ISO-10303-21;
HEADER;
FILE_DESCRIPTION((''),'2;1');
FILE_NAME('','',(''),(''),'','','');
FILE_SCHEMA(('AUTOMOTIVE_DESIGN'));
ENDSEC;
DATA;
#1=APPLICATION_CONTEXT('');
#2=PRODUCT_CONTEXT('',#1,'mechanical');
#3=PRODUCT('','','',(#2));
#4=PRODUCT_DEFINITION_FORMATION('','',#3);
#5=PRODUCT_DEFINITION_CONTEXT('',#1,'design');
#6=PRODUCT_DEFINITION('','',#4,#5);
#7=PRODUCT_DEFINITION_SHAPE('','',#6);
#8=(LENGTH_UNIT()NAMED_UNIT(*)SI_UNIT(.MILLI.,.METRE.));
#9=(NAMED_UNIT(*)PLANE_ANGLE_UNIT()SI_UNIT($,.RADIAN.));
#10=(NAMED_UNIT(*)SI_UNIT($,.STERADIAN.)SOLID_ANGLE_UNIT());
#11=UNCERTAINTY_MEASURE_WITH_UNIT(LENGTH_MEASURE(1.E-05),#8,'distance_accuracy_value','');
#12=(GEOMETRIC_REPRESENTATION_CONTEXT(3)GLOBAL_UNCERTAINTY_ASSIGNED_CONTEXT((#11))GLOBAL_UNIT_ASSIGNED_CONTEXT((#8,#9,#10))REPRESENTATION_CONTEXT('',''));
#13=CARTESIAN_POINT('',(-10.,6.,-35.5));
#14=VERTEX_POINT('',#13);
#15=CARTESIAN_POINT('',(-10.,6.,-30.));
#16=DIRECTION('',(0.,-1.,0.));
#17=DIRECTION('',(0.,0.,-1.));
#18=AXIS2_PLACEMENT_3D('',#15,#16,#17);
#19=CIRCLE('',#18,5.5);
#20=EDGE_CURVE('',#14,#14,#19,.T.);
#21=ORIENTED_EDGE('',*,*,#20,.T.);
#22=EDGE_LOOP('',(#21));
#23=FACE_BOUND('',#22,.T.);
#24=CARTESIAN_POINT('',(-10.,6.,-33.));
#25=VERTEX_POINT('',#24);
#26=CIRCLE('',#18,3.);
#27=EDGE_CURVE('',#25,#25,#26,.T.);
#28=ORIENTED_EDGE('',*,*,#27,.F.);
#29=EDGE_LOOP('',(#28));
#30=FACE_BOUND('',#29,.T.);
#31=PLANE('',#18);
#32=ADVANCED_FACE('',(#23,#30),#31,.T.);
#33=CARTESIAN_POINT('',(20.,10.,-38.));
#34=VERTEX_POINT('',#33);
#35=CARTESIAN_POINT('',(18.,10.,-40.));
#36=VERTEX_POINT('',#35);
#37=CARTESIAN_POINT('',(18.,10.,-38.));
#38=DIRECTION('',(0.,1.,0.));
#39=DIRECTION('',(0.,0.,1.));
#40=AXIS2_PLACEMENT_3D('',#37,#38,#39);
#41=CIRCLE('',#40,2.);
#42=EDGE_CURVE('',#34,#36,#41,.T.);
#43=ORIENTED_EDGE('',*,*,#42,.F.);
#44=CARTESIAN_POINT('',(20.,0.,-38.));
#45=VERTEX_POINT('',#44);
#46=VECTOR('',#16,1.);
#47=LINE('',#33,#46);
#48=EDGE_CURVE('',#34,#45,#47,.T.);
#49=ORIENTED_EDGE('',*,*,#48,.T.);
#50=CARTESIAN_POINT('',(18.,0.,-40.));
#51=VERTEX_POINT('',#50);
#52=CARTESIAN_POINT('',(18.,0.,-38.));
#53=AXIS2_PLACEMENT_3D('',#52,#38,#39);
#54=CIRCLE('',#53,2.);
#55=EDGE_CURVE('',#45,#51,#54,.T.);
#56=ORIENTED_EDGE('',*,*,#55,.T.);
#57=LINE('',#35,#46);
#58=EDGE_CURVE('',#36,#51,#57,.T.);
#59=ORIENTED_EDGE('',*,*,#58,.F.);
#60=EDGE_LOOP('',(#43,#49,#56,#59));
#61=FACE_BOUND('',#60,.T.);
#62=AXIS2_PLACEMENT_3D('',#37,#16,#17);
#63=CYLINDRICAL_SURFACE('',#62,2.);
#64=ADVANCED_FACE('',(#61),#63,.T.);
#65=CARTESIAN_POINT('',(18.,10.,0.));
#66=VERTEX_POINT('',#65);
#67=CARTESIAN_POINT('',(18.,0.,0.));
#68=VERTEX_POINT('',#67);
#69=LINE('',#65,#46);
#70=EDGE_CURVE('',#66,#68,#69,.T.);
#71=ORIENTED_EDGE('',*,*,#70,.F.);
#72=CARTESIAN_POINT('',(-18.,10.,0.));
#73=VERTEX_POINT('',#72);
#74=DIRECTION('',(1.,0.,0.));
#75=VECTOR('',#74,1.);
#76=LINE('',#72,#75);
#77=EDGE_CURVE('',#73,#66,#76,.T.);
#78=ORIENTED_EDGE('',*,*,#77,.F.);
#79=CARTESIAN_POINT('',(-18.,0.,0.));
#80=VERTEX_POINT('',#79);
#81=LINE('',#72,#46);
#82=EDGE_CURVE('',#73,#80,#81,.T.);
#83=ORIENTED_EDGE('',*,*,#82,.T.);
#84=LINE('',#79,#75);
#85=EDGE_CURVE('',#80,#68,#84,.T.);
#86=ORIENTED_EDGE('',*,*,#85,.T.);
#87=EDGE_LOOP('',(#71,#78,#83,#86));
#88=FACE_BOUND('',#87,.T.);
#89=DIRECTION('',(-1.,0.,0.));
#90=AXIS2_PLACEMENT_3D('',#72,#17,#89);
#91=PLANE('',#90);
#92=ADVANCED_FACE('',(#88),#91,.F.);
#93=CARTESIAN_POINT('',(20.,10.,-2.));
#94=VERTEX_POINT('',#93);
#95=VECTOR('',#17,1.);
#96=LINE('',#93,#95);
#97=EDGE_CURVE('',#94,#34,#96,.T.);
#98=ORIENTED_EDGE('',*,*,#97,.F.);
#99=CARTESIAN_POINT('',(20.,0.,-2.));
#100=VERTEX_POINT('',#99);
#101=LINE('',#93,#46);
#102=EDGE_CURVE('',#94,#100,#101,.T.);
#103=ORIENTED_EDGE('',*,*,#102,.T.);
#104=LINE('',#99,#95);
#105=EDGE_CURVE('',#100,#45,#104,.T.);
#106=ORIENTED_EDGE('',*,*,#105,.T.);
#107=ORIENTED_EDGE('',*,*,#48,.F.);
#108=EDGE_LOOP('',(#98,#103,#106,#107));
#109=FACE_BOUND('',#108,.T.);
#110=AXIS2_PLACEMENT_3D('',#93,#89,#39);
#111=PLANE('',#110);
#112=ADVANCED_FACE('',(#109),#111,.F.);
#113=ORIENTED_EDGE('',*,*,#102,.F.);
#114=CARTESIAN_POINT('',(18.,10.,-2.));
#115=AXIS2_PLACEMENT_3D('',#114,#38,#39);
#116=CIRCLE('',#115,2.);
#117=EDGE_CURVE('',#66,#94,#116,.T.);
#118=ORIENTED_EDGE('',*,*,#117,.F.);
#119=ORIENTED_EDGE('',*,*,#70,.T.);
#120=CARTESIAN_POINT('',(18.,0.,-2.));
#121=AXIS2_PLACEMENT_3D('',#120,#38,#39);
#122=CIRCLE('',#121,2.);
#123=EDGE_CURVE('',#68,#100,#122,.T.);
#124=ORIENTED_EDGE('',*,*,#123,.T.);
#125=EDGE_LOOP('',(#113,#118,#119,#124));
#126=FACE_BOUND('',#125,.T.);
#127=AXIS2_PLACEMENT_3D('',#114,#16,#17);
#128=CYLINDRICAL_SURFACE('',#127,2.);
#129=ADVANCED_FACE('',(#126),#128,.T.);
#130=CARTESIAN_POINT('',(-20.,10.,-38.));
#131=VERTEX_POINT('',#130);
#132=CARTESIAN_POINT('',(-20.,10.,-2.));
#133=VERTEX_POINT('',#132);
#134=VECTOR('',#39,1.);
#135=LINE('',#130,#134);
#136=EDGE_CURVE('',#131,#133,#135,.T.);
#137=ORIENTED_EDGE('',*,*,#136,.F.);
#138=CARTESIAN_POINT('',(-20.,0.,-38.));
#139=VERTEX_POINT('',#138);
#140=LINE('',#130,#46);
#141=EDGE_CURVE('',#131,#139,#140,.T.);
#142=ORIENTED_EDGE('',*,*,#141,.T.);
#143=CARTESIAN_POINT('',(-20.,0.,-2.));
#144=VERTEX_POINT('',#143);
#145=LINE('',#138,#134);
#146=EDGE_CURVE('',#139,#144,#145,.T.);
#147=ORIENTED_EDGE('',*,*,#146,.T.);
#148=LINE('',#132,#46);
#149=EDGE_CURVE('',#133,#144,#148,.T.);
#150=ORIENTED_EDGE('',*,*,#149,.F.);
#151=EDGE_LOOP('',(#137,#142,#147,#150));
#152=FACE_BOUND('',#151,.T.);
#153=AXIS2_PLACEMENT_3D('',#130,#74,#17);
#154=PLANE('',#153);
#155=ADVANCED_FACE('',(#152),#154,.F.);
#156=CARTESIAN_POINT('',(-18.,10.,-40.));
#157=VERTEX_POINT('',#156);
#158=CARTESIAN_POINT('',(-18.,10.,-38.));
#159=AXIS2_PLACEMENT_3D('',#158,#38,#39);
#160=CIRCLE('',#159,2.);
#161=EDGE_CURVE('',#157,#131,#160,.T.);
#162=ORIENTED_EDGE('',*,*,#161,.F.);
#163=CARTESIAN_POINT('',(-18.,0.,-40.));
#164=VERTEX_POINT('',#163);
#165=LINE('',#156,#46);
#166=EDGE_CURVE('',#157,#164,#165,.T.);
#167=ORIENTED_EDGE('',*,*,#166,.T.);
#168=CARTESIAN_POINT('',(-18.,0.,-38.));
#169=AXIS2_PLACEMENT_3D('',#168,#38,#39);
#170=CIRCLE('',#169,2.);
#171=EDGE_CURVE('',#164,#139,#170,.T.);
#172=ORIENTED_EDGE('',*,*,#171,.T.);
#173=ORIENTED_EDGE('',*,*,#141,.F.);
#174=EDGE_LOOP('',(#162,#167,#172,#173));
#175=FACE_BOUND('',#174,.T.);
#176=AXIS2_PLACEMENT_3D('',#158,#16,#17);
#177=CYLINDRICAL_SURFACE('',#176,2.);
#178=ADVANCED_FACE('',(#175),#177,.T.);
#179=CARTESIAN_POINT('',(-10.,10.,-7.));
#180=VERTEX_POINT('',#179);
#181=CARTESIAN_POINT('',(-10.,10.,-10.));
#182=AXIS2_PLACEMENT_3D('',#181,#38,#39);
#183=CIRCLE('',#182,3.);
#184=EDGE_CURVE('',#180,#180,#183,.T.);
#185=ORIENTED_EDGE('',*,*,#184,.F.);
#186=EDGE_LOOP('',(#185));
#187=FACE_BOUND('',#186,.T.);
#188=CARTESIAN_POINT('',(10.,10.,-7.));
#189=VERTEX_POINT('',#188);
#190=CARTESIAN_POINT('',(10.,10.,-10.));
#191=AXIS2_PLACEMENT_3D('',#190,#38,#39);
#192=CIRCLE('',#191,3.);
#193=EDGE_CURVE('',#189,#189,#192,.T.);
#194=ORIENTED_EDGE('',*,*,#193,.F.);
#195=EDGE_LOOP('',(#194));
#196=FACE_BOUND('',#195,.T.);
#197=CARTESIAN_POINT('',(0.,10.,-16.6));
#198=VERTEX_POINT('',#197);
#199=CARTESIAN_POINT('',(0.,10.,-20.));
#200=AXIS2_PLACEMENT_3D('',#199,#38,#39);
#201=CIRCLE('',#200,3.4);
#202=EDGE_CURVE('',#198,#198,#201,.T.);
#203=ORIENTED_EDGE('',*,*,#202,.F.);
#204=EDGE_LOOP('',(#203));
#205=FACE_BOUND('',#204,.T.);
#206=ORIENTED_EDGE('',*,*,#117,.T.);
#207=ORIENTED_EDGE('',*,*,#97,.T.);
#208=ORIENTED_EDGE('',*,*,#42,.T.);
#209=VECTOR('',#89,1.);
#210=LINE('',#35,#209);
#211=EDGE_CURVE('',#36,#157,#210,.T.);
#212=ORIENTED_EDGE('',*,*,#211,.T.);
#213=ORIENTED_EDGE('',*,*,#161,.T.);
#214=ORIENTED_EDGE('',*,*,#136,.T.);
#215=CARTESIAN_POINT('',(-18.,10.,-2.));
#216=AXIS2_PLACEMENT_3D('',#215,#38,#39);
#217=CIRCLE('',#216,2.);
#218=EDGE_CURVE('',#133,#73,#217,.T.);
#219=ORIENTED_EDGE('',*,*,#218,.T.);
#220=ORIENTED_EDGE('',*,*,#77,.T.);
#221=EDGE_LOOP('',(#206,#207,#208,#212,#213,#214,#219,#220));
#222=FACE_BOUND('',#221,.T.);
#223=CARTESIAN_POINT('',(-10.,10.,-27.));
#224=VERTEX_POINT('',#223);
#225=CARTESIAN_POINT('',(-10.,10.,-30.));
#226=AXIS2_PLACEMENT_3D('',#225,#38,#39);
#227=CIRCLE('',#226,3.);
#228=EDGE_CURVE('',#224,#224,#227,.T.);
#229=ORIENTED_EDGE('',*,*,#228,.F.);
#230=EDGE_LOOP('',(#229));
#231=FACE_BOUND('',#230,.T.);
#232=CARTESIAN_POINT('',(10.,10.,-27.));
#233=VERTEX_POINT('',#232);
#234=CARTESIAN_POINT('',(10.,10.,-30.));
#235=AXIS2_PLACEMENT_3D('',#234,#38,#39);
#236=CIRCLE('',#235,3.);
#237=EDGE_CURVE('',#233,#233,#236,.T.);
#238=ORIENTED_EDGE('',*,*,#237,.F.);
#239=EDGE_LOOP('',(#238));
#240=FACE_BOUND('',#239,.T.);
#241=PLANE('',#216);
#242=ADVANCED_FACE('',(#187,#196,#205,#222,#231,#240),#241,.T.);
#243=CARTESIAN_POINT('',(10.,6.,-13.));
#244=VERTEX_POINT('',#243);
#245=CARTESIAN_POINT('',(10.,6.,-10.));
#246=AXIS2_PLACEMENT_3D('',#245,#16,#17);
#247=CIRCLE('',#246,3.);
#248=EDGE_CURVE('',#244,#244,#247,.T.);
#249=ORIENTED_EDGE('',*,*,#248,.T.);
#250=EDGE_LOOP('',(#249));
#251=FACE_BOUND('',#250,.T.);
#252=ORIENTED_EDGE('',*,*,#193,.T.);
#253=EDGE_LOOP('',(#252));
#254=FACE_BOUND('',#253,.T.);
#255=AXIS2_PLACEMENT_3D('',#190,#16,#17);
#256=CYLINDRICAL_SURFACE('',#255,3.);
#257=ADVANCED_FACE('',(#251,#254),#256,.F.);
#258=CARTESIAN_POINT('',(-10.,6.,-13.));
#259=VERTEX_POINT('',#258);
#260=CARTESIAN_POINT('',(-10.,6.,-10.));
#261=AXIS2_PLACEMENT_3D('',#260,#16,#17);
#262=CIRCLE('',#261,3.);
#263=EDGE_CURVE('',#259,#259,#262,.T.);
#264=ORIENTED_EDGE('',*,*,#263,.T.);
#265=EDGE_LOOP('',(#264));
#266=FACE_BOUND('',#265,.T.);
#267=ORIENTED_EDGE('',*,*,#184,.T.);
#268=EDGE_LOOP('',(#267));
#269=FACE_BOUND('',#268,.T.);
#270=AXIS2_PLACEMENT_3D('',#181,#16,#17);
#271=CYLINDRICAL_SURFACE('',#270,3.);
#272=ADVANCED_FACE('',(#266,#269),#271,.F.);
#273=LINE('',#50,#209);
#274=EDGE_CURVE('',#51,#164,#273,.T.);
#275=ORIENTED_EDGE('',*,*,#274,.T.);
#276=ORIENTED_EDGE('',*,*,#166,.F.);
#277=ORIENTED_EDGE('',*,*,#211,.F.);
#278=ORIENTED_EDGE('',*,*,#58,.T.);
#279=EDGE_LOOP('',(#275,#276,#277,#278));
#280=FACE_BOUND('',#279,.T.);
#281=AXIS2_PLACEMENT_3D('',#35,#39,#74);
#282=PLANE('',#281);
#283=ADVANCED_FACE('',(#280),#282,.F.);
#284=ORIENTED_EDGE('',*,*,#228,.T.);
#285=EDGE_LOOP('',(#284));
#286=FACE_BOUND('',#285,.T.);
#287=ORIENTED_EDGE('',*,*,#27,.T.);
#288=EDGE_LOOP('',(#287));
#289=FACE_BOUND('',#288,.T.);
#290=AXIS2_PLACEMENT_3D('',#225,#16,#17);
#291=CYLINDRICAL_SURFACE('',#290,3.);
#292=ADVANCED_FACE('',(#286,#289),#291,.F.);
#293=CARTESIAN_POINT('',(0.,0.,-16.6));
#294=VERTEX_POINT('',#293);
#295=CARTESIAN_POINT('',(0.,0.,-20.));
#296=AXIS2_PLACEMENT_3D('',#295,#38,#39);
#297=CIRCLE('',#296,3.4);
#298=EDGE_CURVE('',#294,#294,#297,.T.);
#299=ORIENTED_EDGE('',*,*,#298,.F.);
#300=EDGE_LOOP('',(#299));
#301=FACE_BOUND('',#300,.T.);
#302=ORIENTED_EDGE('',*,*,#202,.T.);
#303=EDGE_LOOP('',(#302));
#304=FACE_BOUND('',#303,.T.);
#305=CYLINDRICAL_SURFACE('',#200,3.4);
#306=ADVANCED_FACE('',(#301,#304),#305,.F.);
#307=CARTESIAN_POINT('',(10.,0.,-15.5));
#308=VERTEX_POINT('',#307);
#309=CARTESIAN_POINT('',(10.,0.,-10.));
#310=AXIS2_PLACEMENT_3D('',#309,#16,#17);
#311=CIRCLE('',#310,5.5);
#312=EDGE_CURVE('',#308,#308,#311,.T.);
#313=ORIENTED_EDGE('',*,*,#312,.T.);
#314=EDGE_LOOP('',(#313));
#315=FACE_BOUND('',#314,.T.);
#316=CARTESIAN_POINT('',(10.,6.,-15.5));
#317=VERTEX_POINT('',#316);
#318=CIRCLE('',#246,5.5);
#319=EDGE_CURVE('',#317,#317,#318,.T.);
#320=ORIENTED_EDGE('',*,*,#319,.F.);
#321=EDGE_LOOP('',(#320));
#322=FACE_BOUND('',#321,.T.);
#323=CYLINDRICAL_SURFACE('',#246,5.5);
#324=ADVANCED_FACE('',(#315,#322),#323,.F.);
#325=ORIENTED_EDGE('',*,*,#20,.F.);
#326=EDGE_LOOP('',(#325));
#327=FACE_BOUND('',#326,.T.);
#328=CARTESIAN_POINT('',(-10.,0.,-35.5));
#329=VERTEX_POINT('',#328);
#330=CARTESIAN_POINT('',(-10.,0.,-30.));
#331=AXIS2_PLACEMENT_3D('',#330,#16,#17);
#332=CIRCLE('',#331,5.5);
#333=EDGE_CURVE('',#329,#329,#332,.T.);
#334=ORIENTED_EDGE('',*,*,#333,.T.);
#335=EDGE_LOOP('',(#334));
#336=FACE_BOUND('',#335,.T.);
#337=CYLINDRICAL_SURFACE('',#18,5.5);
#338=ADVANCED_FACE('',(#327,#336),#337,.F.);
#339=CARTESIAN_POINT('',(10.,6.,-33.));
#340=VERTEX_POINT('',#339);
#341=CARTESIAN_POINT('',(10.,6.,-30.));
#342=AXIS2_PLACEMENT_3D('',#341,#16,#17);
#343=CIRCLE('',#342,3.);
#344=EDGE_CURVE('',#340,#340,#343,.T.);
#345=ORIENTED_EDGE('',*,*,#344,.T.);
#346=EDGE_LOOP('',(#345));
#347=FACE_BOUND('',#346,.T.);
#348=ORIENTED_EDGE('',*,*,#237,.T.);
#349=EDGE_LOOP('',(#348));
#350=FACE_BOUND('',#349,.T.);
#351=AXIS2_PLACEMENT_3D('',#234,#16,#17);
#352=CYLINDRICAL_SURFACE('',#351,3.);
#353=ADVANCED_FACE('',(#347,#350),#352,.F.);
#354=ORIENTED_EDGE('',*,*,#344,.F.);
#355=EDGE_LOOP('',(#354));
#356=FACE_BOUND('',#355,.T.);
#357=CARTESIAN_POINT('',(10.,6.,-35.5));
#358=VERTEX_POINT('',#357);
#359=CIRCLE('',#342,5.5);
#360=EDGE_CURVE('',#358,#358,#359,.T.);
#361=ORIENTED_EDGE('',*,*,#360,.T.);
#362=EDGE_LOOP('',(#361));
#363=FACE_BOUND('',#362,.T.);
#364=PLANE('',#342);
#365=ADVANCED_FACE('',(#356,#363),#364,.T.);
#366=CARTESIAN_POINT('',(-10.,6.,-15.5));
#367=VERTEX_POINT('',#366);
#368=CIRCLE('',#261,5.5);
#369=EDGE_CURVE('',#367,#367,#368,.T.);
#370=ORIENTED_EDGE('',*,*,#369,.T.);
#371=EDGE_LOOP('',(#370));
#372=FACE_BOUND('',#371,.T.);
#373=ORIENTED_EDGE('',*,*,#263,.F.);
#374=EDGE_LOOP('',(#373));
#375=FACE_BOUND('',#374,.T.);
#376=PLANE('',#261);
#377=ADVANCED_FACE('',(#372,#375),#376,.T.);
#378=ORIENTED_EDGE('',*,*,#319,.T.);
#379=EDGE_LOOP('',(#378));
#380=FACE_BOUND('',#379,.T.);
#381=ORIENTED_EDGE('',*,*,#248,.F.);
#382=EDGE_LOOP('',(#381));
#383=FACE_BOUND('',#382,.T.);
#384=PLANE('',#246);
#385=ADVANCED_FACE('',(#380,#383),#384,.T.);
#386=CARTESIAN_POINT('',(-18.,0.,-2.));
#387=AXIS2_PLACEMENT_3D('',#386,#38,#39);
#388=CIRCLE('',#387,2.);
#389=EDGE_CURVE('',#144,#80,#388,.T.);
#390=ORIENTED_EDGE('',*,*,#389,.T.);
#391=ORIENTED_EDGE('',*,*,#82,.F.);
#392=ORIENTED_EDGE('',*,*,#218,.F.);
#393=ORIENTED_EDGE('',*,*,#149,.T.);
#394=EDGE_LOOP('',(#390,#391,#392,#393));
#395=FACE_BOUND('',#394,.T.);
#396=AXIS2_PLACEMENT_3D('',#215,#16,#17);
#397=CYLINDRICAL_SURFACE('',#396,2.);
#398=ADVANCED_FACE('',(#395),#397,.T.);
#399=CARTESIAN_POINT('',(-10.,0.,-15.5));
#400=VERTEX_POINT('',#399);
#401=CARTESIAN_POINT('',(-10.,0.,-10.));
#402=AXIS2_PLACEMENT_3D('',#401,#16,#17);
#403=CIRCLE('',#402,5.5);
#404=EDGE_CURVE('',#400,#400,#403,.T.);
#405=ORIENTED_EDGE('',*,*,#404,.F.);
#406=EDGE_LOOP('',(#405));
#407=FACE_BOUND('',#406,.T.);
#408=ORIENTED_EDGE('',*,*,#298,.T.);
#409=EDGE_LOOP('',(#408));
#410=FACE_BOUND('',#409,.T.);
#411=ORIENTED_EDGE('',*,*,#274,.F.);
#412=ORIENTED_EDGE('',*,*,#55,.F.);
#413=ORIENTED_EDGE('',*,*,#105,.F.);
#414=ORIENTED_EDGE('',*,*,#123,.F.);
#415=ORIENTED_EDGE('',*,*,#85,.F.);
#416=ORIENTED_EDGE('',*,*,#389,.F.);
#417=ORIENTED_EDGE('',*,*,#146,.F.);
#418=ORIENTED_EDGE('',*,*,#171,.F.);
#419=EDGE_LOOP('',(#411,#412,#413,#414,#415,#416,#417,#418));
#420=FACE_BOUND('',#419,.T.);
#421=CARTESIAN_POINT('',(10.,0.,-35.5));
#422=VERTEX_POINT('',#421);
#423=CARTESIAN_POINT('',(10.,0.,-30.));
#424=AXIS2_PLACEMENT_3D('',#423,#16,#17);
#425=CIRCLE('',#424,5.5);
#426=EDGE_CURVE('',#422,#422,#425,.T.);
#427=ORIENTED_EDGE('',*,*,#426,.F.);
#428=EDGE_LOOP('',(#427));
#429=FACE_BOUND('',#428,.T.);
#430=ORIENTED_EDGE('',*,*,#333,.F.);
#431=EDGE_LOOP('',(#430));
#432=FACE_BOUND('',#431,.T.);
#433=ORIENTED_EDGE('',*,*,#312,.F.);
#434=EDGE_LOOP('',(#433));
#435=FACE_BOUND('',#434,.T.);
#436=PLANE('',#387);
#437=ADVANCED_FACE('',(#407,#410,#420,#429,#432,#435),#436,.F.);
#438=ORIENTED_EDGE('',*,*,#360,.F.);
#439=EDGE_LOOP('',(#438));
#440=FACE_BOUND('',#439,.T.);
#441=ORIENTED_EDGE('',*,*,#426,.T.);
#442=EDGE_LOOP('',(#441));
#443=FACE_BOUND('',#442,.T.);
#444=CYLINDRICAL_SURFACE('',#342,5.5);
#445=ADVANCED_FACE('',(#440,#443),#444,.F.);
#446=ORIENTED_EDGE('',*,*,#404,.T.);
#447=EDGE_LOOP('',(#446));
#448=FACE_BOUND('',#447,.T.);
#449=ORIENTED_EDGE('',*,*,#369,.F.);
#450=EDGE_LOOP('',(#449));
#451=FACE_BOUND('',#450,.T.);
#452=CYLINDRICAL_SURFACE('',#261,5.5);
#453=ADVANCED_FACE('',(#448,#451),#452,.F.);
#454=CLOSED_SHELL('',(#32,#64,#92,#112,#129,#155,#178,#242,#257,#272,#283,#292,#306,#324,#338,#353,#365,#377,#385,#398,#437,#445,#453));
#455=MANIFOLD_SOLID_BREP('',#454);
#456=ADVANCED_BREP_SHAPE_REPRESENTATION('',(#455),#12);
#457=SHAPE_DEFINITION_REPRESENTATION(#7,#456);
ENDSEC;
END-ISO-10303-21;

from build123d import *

# Parameters (mm, degrees)
SKETCH_1_R             = 3
EXTRUDE_1_DEPTH        = 10
SKETCH_3_R             = 5.5
CUT_EXTRUDE_1_DEPTH    = 6
HOLE_WIZARD_M8_1_D     = 6.8
HOLE_WIZARD_M8_1_DEPTH = 38.75
HOLE_WIZARD_M8_1_TIP   = 2.042926105


with BuildPart() as part:
    # 草图1 → 凸台-拉伸1 (new body)
    with BuildSketch(Plane(origin=(0, 0, 0), x_dir=(1, 0, 0), z_dir=(0, 1, 0))):
        with BuildLine():
            Line((-18, 0), (18, 0))
            ThreePointArc((18, 0), (19.414213562, 0.585786438), (20, 2))
            Line((20, 2), (20, 38))
            ThreePointArc((20, 38), (19.414213562, 39.414213562), (18, 40))
            Line((18, 40), (-18, 40))
            ThreePointArc((-18, 40), (-19.414213562, 39.414213562), (-20, 38))
            Line((-20, 38), (-20, 2))
            ThreePointArc((-20, 2), (-19.414213562, 0.585786438), (-18, 0))
        make_face()
        with Locations(Location((10, 30, 0), (0, 0, 270))):
            Circle(SKETCH_1_R, mode=Mode.SUBTRACT)
        with Locations(Location((-10, 30, 0), (0, 0, 270))):
            Circle(SKETCH_1_R, mode=Mode.SUBTRACT)
        with Locations(Location((-10, 10, 0), (0, 0, 270))):
            Circle(SKETCH_1_R, mode=Mode.SUBTRACT)
        with Locations(Location((10, 10, 0), (0, 0, 270))):
            Circle(SKETCH_1_R, mode=Mode.SUBTRACT)
    extrude(amount=EXTRUDE_1_DEPTH)

    # 草图3 → 切除-拉伸1 (cut)
    with BuildSketch(Plane.XZ):
        with Locations(Location((-10, -10, 0), (0, 0, 270))):
            Circle(SKETCH_3_R)
        with Locations(Location((10, -10, 0), (0, 0, 270))):
            Circle(SKETCH_3_R)
        with Locations(Location((10, -30, 0), (0, 0, 270))):
            Circle(SKETCH_3_R)
        with Locations(Location((-10, -30, 0), (0, 0, 270))):
            Circle(SKETCH_3_R)
    extrude(amount=-CUT_EXTRUDE_1_DEPTH, mode=Mode.SUBTRACT)

    # M8 螺纹孔1
    with Locations(Plane(origin=(0, 10, -20), x_dir=(0, 0, 1), z_dir=(0, 1, 0))):
        with Locations((0, 0)):
            Hole(HOLE_WIZARD_M8_1_D / 2, depth=HOLE_WIZARD_M8_1_DEPTH)
            with Locations((0, 0, -(HOLE_WIZARD_M8_1_DEPTH + HOLE_WIZARD_M8_1_TIP / 2))):  # 118° drill point
                Cone(0, HOLE_WIZARD_M8_1_D / 2, HOLE_WIZARD_M8_1_TIP, mode=Mode.SUBTRACT)


solid = part.part
